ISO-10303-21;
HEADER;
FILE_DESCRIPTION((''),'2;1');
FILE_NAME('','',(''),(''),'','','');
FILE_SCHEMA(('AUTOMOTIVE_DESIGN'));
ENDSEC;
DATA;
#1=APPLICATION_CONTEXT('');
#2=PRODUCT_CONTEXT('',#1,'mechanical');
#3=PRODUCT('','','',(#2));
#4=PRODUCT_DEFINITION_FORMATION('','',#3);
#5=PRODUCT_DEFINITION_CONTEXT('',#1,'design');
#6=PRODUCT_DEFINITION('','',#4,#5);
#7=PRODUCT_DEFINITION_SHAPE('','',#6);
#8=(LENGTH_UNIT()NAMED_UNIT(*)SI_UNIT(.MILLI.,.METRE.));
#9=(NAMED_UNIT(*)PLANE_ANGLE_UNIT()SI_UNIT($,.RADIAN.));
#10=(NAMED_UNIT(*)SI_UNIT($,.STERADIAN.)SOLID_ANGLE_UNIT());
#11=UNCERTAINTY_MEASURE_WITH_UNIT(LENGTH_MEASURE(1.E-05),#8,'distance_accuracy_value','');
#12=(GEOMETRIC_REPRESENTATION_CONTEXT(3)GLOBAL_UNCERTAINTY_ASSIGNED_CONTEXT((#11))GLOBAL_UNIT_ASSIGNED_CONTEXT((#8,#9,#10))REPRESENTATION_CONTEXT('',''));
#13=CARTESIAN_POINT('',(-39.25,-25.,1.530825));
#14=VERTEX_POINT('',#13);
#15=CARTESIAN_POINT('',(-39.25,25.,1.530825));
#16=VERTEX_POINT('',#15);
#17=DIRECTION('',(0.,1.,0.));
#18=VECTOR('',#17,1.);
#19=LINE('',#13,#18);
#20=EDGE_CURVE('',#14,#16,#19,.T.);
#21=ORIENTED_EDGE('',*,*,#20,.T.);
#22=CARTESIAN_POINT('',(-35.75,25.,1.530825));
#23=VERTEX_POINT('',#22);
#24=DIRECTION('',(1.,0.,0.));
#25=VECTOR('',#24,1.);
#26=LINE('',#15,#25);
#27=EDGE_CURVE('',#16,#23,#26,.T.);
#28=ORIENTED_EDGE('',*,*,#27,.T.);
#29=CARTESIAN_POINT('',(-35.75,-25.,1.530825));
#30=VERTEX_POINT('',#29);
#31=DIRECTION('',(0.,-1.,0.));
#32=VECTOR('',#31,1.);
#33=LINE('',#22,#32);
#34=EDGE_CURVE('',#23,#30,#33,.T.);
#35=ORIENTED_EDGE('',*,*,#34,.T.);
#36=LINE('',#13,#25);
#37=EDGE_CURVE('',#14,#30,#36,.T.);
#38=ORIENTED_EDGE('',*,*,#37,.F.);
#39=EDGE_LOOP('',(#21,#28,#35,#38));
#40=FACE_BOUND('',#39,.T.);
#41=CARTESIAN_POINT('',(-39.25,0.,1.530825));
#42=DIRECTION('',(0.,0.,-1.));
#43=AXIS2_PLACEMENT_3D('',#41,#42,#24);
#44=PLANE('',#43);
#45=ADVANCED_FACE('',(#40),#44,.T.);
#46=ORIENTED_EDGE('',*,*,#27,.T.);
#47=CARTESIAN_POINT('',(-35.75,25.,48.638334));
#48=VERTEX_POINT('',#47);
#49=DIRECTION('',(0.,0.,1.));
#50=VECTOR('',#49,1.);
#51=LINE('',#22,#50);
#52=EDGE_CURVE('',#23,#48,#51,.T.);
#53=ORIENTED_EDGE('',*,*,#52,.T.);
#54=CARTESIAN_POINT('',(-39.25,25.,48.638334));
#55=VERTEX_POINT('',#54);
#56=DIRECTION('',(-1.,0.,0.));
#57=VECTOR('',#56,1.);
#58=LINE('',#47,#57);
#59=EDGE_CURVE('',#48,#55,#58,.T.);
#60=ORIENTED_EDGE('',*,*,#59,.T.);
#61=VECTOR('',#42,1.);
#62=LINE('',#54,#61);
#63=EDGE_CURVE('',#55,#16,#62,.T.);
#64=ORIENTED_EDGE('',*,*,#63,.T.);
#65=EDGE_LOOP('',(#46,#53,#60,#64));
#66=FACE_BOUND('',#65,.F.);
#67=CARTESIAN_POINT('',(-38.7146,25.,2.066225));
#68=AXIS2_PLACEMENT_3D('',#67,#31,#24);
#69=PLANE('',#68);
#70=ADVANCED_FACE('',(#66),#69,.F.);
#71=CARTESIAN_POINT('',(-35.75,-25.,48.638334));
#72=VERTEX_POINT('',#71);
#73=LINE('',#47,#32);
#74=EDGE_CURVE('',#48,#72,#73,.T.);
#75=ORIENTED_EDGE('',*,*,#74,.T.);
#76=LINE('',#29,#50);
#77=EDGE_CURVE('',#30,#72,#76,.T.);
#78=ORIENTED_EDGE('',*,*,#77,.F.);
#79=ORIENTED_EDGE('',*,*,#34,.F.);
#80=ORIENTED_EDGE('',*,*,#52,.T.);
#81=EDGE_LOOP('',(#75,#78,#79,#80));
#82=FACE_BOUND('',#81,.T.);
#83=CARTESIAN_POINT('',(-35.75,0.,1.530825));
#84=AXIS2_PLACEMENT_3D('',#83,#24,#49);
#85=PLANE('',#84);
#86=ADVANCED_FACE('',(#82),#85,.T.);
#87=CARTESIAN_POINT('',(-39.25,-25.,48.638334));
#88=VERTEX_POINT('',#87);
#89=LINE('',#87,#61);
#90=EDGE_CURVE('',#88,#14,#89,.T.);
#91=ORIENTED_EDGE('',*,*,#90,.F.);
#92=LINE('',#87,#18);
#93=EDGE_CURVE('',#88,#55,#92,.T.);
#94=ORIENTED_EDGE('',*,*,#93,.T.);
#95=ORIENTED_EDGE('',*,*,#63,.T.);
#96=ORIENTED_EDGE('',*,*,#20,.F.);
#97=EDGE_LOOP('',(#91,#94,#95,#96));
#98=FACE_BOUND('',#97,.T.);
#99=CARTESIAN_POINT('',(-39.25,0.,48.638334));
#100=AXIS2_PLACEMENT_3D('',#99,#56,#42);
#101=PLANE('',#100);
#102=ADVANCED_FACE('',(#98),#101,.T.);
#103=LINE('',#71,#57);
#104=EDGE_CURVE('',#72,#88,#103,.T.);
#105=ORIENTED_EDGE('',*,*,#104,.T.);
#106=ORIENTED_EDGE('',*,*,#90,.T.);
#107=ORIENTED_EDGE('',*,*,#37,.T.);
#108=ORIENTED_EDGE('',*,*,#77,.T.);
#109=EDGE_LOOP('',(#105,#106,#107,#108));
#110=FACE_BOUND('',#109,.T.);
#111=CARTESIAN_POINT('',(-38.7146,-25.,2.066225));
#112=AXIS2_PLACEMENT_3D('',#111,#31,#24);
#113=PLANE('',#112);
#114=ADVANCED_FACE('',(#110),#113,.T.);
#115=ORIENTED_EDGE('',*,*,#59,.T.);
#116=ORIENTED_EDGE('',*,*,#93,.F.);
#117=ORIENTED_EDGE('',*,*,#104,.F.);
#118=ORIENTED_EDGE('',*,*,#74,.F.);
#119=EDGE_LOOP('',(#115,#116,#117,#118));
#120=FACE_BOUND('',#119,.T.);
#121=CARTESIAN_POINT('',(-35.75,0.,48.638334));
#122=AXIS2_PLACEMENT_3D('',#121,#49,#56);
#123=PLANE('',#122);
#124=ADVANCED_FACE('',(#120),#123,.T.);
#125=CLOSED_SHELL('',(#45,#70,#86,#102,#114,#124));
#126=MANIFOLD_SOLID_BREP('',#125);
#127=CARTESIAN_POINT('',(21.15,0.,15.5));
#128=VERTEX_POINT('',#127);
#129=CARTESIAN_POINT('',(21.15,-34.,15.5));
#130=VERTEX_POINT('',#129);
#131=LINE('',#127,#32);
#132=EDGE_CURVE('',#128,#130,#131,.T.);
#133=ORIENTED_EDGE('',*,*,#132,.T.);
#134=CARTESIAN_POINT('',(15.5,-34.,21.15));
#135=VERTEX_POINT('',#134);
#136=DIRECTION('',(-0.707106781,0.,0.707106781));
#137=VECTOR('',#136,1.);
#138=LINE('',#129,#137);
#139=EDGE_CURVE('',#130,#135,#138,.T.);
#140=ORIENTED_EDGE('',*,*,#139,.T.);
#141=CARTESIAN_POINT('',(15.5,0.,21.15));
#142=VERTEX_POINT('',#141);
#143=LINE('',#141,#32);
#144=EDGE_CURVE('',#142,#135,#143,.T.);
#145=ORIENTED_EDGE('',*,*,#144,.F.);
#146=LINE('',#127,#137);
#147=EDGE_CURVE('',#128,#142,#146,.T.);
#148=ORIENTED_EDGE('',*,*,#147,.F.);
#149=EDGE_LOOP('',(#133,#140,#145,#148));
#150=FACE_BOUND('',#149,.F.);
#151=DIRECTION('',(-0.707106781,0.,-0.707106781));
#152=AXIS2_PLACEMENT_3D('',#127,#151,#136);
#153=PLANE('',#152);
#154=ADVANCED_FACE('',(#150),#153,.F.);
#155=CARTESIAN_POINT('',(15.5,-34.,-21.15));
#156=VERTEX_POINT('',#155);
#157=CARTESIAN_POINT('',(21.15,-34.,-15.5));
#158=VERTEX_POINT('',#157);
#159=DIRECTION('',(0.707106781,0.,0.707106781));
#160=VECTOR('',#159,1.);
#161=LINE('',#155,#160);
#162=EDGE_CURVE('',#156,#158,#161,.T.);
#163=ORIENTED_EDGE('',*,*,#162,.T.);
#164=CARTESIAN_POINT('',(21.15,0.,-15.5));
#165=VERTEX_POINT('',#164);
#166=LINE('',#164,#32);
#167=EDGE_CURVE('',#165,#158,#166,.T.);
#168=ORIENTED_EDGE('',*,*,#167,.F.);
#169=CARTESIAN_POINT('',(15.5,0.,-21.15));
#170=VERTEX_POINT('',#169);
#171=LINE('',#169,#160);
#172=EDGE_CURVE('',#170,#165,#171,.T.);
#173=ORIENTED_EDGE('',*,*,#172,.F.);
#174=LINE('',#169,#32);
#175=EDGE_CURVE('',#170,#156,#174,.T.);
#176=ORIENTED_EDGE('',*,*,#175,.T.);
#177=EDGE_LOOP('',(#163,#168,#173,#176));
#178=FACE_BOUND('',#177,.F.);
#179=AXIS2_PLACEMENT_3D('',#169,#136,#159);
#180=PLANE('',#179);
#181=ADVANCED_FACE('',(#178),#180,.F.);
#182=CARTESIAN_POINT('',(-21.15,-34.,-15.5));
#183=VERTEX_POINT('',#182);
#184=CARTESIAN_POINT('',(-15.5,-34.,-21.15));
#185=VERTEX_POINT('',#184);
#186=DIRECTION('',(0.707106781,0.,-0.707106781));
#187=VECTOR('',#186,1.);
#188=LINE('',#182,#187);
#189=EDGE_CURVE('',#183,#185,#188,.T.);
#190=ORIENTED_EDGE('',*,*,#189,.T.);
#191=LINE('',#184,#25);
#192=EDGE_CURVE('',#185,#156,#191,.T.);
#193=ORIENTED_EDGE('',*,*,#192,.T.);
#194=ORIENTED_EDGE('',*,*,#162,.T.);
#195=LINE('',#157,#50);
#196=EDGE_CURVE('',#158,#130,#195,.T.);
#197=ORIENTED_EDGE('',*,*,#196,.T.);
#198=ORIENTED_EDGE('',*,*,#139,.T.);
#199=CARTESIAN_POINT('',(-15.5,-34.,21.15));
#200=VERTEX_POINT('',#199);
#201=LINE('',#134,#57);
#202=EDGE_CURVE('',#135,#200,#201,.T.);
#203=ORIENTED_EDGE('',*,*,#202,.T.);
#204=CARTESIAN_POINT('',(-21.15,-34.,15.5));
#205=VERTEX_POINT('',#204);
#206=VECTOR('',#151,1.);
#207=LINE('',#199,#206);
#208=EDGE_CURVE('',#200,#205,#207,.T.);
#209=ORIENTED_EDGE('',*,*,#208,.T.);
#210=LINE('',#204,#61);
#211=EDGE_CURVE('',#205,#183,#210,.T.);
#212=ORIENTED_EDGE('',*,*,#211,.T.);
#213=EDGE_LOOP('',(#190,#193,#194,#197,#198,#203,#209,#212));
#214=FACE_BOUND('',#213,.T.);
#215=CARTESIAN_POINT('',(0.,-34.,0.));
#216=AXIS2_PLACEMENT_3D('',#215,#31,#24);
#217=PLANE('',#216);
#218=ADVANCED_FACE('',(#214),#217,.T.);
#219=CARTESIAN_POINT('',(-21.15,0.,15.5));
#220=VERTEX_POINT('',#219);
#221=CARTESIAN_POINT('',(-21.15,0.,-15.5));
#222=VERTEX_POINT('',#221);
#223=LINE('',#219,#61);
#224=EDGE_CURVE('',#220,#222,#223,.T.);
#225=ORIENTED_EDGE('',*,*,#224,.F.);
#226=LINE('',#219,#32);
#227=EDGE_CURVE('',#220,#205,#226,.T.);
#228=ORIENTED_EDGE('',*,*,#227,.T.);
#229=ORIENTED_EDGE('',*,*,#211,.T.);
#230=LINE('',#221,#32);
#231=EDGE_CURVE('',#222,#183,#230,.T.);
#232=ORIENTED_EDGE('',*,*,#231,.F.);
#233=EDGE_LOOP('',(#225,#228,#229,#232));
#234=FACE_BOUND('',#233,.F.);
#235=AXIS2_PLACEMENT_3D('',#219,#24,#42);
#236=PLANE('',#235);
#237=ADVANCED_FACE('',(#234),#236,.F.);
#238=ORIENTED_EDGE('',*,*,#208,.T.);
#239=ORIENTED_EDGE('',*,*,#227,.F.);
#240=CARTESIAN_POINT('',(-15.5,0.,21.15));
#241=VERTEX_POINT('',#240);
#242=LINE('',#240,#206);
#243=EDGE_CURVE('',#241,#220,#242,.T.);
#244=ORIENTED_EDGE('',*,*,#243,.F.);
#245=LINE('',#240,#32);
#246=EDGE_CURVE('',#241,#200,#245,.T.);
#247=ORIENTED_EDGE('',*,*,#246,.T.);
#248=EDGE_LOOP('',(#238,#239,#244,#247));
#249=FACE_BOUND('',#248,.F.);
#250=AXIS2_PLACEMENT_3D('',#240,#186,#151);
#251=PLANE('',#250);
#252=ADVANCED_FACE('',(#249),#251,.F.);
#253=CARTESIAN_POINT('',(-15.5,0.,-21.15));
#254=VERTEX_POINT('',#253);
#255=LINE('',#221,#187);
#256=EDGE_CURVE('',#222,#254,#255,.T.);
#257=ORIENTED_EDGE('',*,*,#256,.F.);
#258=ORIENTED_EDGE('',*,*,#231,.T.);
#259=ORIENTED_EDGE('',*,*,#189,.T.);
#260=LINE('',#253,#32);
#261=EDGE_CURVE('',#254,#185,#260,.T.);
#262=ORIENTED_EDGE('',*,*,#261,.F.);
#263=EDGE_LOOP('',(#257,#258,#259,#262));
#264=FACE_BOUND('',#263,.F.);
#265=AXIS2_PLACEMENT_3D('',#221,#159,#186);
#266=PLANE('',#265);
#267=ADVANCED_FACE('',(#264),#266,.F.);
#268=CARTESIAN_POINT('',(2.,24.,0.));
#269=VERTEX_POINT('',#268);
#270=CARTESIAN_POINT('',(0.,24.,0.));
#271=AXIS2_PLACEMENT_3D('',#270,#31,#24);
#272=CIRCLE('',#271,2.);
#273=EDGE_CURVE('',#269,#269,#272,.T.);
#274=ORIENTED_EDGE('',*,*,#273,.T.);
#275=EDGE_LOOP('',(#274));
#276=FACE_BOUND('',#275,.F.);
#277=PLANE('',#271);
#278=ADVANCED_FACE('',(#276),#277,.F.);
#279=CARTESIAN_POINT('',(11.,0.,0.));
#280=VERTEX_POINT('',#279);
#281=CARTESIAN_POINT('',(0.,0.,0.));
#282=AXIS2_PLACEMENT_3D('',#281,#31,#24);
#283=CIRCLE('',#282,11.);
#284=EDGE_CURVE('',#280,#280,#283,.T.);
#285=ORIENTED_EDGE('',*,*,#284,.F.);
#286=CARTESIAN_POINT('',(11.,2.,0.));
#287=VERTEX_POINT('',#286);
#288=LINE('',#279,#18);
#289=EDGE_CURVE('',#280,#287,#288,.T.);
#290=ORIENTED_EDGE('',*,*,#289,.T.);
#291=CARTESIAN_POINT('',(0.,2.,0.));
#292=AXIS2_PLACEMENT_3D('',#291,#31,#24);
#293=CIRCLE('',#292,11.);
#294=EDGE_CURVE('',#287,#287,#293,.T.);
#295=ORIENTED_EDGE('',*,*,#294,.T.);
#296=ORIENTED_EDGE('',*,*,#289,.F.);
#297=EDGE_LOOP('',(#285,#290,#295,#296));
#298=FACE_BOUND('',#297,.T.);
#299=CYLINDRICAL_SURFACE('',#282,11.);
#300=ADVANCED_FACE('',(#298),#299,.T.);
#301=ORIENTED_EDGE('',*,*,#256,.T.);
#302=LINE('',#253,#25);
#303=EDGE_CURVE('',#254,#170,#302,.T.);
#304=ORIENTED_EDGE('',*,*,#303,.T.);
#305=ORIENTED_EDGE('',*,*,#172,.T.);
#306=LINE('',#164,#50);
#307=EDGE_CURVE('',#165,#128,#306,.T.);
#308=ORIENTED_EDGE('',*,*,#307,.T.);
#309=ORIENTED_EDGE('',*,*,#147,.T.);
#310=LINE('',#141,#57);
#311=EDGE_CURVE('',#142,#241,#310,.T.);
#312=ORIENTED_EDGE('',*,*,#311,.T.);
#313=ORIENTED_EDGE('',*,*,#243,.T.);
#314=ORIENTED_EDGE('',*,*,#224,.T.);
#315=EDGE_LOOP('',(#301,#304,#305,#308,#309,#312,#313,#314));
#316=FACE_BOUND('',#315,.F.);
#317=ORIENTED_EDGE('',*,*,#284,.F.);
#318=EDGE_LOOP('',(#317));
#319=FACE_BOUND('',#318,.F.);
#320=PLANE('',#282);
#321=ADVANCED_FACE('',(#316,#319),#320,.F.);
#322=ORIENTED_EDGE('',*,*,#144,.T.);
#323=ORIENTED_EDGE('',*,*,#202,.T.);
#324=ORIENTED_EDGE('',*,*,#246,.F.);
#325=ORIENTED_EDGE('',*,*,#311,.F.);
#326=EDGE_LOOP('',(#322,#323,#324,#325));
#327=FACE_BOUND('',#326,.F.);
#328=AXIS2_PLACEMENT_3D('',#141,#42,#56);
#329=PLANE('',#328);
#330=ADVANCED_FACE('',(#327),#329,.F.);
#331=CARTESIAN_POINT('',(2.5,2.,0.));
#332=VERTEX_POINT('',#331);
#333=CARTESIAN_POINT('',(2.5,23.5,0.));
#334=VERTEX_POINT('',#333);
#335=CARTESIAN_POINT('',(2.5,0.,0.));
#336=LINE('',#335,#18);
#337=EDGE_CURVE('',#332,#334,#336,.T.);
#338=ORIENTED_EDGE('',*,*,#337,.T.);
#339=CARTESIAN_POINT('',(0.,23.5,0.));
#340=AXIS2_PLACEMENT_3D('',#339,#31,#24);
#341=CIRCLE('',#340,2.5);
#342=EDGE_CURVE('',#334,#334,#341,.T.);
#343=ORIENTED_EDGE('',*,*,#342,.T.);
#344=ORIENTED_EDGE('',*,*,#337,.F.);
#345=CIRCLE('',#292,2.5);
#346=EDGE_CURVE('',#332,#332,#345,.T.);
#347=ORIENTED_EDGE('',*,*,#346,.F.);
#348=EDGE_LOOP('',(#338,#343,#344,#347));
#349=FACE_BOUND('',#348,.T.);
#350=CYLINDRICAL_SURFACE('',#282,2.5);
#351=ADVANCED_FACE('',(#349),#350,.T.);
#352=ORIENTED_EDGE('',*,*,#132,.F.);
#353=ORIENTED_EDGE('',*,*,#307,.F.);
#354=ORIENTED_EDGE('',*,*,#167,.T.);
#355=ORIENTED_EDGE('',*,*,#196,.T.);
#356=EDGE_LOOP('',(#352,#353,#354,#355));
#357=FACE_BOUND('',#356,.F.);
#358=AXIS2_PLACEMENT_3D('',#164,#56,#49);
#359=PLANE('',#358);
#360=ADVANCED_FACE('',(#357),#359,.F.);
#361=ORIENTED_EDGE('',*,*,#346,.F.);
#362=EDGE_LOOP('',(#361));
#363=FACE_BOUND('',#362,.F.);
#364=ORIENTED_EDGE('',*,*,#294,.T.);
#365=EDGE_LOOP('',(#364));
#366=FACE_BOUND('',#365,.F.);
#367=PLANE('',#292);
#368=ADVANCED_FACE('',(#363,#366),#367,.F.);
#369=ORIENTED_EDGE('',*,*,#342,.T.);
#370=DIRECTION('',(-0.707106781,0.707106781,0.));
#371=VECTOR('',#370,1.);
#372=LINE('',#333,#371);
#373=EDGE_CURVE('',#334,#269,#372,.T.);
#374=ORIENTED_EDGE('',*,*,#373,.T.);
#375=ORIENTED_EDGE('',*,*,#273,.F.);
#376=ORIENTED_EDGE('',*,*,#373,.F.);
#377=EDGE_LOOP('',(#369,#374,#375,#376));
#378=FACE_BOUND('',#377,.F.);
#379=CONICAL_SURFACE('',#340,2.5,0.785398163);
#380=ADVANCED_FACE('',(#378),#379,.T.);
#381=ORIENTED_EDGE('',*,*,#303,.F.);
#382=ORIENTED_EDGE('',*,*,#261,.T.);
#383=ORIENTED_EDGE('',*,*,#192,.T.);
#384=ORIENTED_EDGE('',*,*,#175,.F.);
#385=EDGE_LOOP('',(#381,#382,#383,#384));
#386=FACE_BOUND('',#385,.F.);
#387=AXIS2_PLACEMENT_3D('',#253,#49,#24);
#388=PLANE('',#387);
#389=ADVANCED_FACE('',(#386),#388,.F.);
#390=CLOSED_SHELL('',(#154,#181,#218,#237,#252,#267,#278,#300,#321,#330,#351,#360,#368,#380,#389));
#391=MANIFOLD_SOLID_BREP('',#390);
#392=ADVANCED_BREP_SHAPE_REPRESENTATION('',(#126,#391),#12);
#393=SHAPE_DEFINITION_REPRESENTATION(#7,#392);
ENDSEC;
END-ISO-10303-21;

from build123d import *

# Parameters (mm, degrees)
F3_DEPTH  = 34
F4_R      = 2.5
F7_DEPTH  = 24
F8_R      = 11
F9_DEPTH  = 2
F10_SIZE  = 0.5
F15_DEPTH = 25


with BuildPart() as f3:
    # F0 (on Front) → F3 (new body, through all)
    with BuildSketch(Plane.XZ):
        Polygon((21.15, 15.5), (15.5, 21.15), (-15.5, 21.15), (-21.15, 15.5), (-21.15, -15.5), (-15.5, -21.15), (15.5, -21.15), (21.15, -15.5), align=None)
    extrude(amount=F3_DEPTH)

    # F4 (on Front) → F7 (join, through all)
    with BuildSketch(Plane.XZ):
        Circle(F4_R)
    extrude(amount=-F7_DEPTH)

    # F8 (on Front) → F9 (join)
    with BuildSketch(Plane.XZ):
        Circle(F8_R)
    extrude(amount=-F9_DEPTH)

    # F10
    f10_edges = [f3.edges().sort_by_distance(p)[0] for p in [
        (-2.5, 24, 0),
    ]]
    chamfer(f10_edges, length=F10_SIZE)


with BuildPart() as f15:
    # F14 (on Front) → F15 (new body, symmetric)
    with BuildSketch(Plane.XZ):
        with BuildLine():
            Line((-39.25, 3.2808248822), (-39.25, 1.5308248822))
            Line((-39.25, 1.5308248822), (-37.5, 1.5308248822))
            ThreePointArc((-37.5, 1.5308248822), (-38.7374368671, 2.0433880151), (-39.25, 3.2808248822))
        make_face()
        with BuildLine():
            ThreePointArc((-35.75, 3.2808248822), (-36.2625631329, 2.0433880151), (-37.5, 1.5308248822))
            Line((-37.5, 1.5308248822), (-35.75, 1.5308248822))
            Line((-35.75, 1.5308248822), (-35.75, 3.2808248822))
        make_face()
        with BuildLine():
            ThreePointArc((-39.25, 3.2808248822), (-38.7374368671, 2.0433880151), (-37.5, 1.5308248822))
            ThreePointArc((-37.5, 1.5308248822), (-36.2625631329, 2.0433880151), (-35.75, 3.2808248822))
            ThreePointArc((-35.75, 3.2808248822), (-37.5, 5.0308248822), (-39.25, 3.2808248822))
        make_face()
        with BuildLine():
            Line((-39.25, 48.6383336474), (-39.25, 3.2808248822))
            ThreePointArc((-39.25, 3.2808248822), (-37.5, 5.0308248822), (-35.75, 3.2808248822))
            Line((-35.75, 3.2808248822), (-35.75, 48.6383336474))
            Line((-35.75, 48.6383336474), (-39.25, 48.6383336474))
        make_face()
    extrude(amount=F15_DEPTH, both=True)


solid = Compound([f3.part, f15.part])
